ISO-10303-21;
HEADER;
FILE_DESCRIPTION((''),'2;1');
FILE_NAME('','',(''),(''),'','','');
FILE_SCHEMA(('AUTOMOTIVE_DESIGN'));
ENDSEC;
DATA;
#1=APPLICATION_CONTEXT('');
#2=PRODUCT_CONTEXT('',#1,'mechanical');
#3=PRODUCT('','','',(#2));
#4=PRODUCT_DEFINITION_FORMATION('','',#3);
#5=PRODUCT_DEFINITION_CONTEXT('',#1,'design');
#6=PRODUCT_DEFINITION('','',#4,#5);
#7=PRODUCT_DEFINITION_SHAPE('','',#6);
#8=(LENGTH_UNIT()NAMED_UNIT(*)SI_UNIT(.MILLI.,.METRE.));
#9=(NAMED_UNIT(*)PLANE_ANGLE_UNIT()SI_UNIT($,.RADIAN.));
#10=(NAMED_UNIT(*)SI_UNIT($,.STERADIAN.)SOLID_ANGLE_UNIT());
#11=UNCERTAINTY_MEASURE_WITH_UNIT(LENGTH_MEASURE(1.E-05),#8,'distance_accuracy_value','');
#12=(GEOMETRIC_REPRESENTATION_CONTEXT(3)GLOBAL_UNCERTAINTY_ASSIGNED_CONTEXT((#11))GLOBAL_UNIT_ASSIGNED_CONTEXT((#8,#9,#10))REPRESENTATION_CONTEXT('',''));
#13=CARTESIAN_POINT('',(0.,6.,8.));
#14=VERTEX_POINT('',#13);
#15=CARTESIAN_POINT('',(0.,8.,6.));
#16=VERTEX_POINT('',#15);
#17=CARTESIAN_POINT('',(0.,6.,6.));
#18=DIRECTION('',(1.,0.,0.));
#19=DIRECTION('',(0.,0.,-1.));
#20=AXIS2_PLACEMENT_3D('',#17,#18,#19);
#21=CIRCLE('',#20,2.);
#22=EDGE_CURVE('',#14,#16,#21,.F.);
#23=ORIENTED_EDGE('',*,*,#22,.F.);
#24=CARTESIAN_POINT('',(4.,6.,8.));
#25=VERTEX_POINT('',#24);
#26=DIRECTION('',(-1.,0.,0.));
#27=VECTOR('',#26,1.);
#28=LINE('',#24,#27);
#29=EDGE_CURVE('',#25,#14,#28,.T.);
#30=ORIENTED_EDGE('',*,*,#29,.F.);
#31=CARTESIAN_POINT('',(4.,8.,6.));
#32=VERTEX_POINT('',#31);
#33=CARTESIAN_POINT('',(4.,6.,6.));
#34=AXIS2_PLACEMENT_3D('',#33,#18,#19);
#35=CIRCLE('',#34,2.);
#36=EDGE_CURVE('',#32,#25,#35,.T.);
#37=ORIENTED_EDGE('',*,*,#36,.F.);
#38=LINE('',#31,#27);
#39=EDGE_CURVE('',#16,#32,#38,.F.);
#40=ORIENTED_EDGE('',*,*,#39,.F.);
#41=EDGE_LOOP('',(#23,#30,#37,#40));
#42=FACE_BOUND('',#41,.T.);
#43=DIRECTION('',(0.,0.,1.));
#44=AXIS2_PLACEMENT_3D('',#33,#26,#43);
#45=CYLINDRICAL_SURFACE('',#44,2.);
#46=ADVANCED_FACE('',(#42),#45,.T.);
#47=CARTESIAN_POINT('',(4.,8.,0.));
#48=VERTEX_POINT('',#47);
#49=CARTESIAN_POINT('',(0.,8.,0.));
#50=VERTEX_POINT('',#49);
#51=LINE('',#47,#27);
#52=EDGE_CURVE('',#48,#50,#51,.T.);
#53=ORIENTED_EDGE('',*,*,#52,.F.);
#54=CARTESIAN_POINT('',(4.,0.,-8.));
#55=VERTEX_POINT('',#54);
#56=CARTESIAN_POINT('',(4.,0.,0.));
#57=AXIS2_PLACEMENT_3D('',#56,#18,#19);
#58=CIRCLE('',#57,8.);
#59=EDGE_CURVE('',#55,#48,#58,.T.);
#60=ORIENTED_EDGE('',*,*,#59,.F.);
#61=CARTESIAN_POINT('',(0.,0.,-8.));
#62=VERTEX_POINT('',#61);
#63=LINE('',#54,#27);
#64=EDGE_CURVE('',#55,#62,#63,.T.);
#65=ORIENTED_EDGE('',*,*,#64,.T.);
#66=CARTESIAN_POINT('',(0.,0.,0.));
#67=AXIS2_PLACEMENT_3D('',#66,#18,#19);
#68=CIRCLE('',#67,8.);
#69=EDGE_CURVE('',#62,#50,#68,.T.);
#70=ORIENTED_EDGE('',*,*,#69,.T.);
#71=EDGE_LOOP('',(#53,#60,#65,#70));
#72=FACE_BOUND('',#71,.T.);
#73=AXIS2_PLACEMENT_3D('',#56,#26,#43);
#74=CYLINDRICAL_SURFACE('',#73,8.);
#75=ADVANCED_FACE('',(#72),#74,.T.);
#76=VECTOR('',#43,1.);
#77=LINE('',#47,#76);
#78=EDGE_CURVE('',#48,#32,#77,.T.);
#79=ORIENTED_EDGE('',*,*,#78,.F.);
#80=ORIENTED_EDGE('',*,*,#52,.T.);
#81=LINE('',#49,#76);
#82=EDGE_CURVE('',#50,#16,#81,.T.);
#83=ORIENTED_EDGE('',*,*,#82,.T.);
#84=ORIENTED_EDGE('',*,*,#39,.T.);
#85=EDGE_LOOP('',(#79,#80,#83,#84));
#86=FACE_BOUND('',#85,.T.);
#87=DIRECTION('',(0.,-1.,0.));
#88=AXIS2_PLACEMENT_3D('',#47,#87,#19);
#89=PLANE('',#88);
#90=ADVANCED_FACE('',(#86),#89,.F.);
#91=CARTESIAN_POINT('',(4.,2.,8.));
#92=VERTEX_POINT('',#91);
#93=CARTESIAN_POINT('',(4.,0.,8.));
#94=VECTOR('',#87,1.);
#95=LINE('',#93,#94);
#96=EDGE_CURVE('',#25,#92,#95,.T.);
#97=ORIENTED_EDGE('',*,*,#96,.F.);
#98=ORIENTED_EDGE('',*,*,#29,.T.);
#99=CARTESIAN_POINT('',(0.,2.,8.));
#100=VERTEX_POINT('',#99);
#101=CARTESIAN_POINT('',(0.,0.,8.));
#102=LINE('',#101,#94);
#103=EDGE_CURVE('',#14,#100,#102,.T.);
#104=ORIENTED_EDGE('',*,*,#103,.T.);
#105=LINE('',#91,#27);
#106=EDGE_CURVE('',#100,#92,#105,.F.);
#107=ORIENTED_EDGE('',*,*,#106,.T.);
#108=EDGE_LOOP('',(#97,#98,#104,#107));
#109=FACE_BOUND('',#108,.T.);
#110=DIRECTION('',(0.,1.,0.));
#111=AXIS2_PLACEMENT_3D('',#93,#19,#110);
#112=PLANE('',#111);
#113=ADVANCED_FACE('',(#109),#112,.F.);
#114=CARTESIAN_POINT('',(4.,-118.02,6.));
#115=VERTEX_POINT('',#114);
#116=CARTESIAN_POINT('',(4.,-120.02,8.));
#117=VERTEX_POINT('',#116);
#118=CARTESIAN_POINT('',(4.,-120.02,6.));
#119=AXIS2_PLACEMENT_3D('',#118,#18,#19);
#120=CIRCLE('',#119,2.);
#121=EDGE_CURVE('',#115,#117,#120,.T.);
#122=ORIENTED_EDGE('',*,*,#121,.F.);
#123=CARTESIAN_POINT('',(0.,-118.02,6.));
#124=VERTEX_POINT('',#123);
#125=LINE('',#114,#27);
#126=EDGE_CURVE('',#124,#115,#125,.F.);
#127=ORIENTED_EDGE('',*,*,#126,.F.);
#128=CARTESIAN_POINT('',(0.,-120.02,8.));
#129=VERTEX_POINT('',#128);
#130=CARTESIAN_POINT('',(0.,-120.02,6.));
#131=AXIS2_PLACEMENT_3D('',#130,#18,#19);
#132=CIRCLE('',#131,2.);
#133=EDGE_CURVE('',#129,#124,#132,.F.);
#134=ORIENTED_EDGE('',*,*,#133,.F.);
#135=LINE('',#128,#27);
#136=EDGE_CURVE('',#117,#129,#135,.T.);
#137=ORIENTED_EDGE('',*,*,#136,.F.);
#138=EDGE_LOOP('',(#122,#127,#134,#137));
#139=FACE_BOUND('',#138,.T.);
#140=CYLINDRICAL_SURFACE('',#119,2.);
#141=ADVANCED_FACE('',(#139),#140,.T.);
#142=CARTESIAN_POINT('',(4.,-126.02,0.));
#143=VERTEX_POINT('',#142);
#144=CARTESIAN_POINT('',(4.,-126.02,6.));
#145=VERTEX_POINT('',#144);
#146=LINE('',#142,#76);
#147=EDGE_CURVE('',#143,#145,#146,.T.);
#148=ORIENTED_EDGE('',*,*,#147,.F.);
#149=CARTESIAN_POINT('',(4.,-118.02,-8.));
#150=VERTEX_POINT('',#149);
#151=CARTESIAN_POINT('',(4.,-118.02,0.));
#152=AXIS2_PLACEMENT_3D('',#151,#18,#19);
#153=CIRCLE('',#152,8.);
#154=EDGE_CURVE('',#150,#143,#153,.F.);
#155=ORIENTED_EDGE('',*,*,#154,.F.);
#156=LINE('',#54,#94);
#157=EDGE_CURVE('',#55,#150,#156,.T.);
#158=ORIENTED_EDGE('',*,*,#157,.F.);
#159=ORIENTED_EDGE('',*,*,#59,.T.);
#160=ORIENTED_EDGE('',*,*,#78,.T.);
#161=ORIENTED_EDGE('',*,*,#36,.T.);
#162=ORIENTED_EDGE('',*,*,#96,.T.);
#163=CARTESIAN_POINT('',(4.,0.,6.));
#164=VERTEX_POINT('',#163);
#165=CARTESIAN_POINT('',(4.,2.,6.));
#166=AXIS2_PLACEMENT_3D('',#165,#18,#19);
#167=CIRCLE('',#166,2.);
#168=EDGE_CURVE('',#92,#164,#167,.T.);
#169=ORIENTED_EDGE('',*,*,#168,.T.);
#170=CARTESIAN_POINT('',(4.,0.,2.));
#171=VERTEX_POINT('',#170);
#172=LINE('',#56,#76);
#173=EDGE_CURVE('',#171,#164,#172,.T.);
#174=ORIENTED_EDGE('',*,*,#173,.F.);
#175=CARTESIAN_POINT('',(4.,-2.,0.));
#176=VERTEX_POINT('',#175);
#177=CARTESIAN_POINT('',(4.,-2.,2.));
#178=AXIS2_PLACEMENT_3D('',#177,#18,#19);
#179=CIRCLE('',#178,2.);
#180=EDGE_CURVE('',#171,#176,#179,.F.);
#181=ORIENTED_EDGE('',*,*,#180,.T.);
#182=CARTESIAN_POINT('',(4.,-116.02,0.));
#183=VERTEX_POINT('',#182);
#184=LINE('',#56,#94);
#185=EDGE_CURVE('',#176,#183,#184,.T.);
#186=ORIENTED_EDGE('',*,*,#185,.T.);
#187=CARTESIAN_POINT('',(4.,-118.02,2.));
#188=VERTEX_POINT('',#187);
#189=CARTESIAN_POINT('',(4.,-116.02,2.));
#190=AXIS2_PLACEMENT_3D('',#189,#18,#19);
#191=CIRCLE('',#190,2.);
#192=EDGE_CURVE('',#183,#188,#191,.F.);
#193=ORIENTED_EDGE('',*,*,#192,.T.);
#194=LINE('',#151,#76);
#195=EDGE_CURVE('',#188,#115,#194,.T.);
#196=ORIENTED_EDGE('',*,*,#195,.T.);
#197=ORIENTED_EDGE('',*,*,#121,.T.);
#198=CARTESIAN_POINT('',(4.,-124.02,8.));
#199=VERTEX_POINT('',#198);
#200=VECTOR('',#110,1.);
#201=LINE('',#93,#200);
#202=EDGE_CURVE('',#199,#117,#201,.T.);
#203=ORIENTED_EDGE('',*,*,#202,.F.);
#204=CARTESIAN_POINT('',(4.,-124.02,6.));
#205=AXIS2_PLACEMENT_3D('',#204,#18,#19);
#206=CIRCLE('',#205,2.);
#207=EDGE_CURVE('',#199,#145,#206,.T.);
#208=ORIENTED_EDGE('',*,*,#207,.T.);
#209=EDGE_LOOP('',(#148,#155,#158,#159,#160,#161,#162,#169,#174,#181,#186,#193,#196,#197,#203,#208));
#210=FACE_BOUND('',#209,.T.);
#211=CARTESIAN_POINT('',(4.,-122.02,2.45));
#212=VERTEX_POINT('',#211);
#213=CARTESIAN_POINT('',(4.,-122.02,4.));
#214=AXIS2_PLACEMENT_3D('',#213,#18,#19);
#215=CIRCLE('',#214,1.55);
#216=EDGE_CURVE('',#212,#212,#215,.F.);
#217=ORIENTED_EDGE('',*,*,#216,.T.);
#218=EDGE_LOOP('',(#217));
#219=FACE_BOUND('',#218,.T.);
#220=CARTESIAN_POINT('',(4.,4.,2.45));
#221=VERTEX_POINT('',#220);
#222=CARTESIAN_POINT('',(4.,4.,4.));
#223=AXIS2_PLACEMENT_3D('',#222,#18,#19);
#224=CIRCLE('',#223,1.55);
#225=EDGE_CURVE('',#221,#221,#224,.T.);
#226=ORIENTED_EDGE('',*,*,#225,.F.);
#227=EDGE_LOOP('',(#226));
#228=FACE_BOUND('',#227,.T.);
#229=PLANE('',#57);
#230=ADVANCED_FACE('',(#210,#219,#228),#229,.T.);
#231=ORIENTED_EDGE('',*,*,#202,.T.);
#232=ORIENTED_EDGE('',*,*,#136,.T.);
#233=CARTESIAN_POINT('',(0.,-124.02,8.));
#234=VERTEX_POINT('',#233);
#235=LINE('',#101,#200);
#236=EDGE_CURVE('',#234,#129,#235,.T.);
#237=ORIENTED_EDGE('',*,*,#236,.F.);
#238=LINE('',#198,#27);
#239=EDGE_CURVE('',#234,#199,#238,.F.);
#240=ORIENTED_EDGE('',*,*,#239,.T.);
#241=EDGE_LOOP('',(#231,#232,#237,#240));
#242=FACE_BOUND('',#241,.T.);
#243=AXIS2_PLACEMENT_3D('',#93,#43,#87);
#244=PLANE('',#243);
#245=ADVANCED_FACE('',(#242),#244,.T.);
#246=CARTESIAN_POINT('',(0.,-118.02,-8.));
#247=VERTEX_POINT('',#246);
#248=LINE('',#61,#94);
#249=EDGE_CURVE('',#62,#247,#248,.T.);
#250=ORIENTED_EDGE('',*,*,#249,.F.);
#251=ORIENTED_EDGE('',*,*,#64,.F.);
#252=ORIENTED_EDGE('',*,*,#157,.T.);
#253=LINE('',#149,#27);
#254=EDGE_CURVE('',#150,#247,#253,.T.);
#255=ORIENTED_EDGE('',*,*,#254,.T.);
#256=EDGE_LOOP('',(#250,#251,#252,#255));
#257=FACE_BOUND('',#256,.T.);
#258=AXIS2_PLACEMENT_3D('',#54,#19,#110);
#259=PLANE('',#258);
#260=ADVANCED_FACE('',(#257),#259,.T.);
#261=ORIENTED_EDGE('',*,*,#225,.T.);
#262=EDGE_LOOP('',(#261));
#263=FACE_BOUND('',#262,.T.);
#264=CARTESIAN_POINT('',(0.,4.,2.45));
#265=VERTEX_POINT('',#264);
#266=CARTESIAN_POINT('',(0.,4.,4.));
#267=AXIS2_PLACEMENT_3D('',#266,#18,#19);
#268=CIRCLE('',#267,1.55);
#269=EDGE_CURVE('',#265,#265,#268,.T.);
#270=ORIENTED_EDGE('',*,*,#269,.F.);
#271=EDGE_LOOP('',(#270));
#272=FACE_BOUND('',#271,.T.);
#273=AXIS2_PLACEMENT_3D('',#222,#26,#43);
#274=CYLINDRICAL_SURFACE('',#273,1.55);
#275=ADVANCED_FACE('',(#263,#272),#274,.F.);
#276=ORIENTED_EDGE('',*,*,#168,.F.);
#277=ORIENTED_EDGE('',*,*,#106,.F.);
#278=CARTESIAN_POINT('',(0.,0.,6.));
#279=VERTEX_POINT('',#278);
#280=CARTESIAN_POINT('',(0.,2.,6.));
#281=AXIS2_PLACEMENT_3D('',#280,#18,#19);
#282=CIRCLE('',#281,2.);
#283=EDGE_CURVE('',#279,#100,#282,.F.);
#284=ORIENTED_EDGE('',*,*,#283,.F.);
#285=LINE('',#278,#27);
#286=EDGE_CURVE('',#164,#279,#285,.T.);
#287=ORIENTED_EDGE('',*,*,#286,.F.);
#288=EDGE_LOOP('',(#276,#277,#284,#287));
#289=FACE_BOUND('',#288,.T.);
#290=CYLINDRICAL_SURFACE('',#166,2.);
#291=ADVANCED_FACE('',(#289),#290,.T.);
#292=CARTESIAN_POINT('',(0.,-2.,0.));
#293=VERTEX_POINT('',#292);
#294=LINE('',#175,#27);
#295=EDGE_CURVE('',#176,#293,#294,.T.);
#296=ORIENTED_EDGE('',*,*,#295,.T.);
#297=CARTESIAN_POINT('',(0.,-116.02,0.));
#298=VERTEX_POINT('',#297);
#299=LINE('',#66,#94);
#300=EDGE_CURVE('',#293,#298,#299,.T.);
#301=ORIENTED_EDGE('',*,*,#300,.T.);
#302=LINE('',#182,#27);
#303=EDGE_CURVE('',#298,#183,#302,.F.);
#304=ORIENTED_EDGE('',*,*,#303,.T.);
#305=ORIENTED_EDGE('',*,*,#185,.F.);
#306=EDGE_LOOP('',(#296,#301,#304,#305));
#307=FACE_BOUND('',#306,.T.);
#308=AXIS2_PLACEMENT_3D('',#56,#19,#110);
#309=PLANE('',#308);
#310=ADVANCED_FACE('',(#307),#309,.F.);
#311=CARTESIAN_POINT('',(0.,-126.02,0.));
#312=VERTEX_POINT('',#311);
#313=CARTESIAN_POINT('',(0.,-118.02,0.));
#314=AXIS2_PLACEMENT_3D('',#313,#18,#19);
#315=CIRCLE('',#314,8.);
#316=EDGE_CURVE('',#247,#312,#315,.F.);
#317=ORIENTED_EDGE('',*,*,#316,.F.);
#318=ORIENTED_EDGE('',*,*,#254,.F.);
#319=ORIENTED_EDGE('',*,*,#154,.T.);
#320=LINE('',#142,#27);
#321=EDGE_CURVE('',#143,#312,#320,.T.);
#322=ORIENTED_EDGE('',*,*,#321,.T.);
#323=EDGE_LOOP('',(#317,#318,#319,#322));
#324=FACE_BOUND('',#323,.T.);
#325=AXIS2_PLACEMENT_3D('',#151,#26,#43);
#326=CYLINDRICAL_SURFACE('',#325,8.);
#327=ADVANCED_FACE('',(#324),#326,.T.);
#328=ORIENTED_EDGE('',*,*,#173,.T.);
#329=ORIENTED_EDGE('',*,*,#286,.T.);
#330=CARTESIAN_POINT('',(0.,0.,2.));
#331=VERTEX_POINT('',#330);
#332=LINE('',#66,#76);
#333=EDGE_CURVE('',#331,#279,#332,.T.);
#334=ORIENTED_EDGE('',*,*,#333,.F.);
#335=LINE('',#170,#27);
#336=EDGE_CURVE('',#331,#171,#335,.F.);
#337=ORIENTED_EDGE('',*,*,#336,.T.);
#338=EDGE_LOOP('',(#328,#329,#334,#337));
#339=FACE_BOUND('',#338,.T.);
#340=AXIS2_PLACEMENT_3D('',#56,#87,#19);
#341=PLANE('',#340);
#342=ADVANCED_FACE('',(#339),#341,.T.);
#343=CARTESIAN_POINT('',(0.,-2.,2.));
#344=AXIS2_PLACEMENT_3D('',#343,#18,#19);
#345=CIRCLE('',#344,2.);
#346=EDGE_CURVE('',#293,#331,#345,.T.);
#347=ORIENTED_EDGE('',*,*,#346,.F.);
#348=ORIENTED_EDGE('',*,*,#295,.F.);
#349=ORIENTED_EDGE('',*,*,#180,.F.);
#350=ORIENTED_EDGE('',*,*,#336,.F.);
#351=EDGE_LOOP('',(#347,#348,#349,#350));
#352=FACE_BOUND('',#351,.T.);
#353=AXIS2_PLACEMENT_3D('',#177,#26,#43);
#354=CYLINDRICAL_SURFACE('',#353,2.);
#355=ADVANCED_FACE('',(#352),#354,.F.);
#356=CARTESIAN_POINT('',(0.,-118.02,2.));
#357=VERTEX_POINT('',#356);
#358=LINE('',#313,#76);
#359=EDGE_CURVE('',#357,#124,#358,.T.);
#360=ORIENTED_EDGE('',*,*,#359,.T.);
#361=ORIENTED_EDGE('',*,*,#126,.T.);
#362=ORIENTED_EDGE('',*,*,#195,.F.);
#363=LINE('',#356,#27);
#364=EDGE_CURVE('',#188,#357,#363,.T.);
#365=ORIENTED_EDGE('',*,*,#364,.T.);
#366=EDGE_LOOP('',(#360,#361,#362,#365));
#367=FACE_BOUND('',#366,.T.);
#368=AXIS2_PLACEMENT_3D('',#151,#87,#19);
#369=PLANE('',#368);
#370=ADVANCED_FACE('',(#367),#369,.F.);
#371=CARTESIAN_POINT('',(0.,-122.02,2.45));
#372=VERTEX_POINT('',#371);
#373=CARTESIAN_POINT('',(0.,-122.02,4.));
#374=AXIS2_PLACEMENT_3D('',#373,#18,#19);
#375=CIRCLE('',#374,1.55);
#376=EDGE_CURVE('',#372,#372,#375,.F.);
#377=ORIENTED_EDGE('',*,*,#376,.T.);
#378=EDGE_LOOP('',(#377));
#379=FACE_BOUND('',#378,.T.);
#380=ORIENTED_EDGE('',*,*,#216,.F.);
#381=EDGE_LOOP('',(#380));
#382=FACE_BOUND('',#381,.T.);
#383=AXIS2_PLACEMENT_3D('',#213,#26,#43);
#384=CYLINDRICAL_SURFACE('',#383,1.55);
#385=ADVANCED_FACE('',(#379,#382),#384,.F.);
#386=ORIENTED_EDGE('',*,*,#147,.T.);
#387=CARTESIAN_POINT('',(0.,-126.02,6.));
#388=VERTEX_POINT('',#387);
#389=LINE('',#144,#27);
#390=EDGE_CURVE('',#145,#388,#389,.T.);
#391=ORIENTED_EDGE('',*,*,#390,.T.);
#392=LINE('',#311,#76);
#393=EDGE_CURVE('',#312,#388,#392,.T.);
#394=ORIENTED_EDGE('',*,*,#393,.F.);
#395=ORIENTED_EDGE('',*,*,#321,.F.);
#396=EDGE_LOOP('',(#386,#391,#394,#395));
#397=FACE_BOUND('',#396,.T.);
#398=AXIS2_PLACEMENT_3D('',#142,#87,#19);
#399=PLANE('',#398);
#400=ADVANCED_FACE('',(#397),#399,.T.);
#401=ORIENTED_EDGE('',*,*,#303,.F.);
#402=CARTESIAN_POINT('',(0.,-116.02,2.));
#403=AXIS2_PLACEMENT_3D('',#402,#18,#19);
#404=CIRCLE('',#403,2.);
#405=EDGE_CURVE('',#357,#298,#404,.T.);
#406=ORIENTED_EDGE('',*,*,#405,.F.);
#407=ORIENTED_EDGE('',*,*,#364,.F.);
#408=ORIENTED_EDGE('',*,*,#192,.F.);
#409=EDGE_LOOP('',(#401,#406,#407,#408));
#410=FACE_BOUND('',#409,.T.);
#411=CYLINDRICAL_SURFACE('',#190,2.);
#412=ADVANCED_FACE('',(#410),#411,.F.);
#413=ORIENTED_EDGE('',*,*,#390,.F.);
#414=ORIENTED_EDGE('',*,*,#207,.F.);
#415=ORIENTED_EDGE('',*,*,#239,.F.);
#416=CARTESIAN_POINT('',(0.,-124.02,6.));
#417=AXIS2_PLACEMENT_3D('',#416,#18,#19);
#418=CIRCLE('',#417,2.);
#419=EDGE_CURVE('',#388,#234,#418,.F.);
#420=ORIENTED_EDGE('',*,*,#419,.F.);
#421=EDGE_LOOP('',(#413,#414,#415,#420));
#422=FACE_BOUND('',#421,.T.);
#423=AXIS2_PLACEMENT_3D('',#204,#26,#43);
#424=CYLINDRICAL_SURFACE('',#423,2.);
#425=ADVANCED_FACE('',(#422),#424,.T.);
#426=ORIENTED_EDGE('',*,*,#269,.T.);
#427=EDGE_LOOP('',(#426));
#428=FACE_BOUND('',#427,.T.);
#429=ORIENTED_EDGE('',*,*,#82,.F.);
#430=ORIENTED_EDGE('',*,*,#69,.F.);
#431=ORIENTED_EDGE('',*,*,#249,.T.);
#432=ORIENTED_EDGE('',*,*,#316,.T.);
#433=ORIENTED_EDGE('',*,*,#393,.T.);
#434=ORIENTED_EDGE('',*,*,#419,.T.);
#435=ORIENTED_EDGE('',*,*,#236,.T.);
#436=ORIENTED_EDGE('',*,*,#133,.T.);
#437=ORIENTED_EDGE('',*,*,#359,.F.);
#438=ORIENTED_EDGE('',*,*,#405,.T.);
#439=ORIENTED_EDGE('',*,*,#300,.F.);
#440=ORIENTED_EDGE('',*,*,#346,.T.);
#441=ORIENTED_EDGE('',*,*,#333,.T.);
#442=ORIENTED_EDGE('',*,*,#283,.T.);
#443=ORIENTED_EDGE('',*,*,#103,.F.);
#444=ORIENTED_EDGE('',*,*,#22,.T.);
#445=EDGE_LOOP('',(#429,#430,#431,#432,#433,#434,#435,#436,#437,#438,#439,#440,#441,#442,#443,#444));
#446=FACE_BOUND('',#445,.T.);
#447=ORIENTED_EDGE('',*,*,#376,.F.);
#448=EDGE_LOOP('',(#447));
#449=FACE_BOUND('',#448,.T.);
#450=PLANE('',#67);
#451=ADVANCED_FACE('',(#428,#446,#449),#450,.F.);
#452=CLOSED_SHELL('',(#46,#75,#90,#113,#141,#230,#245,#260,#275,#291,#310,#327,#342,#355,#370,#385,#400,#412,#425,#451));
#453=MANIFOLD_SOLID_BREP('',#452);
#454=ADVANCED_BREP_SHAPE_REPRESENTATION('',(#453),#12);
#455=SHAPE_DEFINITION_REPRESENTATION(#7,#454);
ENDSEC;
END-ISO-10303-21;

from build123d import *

# Parameters (mm, degrees)
SKETCH_1_R      = 1.55
EXTRUDE_1_DEPTH = 4
FILLET_1_R      = 2


with BuildPart() as part:
    # 草图1 → 凸台-拉伸1 (new body)
    with BuildSketch(Plane(origin=(0, 0, 0), x_dir=(0, 0, -1), z_dir=(1, 0, 0))):
        with BuildLine():
            ThreePointArc((8, 0), (5.656854249, 5.656854249), (0, 8))
            Line((0, 8), (-8, 8))
            Line((-8, 8), (-8, 0))
            Line((-8, 0), (0, 0))
            Line((0, 0), (0, -118.02))
            Line((0, -118.02), (-8, -118.02))
            Line((-8, -118.02), (-8, -126.02))
            Line((-8, -126.02), (0, -126.02))
            ThreePointArc((0, -126.02), (5.656854249, -123.676854249), (8, -118.02))
            Line((8, -118.02), (8, 0))
        make_face()
        with Locations((-4, 4)):
            Circle(SKETCH_1_R, mode=Mode.SUBTRACT)
        with Locations((-4, -122.02)):
            Circle(SKETCH_1_R, mode=Mode.SUBTRACT)
    extrude(amount=EXTRUDE_1_DEPTH)

    # 圆角1
    fillet_1_edges = [part.edges().sort_by_distance(p)[0] for p in [
        (2, -126.02, 8),
        (2, -118.02, 8),
        (2, -118.02, 0),
        (2, 0, 0),
        (2, 0, 8),
        (2, 8, 8),
    ]]
    fillet(fillet_1_edges, radius=FILLET_1_R)


solid = part.part
